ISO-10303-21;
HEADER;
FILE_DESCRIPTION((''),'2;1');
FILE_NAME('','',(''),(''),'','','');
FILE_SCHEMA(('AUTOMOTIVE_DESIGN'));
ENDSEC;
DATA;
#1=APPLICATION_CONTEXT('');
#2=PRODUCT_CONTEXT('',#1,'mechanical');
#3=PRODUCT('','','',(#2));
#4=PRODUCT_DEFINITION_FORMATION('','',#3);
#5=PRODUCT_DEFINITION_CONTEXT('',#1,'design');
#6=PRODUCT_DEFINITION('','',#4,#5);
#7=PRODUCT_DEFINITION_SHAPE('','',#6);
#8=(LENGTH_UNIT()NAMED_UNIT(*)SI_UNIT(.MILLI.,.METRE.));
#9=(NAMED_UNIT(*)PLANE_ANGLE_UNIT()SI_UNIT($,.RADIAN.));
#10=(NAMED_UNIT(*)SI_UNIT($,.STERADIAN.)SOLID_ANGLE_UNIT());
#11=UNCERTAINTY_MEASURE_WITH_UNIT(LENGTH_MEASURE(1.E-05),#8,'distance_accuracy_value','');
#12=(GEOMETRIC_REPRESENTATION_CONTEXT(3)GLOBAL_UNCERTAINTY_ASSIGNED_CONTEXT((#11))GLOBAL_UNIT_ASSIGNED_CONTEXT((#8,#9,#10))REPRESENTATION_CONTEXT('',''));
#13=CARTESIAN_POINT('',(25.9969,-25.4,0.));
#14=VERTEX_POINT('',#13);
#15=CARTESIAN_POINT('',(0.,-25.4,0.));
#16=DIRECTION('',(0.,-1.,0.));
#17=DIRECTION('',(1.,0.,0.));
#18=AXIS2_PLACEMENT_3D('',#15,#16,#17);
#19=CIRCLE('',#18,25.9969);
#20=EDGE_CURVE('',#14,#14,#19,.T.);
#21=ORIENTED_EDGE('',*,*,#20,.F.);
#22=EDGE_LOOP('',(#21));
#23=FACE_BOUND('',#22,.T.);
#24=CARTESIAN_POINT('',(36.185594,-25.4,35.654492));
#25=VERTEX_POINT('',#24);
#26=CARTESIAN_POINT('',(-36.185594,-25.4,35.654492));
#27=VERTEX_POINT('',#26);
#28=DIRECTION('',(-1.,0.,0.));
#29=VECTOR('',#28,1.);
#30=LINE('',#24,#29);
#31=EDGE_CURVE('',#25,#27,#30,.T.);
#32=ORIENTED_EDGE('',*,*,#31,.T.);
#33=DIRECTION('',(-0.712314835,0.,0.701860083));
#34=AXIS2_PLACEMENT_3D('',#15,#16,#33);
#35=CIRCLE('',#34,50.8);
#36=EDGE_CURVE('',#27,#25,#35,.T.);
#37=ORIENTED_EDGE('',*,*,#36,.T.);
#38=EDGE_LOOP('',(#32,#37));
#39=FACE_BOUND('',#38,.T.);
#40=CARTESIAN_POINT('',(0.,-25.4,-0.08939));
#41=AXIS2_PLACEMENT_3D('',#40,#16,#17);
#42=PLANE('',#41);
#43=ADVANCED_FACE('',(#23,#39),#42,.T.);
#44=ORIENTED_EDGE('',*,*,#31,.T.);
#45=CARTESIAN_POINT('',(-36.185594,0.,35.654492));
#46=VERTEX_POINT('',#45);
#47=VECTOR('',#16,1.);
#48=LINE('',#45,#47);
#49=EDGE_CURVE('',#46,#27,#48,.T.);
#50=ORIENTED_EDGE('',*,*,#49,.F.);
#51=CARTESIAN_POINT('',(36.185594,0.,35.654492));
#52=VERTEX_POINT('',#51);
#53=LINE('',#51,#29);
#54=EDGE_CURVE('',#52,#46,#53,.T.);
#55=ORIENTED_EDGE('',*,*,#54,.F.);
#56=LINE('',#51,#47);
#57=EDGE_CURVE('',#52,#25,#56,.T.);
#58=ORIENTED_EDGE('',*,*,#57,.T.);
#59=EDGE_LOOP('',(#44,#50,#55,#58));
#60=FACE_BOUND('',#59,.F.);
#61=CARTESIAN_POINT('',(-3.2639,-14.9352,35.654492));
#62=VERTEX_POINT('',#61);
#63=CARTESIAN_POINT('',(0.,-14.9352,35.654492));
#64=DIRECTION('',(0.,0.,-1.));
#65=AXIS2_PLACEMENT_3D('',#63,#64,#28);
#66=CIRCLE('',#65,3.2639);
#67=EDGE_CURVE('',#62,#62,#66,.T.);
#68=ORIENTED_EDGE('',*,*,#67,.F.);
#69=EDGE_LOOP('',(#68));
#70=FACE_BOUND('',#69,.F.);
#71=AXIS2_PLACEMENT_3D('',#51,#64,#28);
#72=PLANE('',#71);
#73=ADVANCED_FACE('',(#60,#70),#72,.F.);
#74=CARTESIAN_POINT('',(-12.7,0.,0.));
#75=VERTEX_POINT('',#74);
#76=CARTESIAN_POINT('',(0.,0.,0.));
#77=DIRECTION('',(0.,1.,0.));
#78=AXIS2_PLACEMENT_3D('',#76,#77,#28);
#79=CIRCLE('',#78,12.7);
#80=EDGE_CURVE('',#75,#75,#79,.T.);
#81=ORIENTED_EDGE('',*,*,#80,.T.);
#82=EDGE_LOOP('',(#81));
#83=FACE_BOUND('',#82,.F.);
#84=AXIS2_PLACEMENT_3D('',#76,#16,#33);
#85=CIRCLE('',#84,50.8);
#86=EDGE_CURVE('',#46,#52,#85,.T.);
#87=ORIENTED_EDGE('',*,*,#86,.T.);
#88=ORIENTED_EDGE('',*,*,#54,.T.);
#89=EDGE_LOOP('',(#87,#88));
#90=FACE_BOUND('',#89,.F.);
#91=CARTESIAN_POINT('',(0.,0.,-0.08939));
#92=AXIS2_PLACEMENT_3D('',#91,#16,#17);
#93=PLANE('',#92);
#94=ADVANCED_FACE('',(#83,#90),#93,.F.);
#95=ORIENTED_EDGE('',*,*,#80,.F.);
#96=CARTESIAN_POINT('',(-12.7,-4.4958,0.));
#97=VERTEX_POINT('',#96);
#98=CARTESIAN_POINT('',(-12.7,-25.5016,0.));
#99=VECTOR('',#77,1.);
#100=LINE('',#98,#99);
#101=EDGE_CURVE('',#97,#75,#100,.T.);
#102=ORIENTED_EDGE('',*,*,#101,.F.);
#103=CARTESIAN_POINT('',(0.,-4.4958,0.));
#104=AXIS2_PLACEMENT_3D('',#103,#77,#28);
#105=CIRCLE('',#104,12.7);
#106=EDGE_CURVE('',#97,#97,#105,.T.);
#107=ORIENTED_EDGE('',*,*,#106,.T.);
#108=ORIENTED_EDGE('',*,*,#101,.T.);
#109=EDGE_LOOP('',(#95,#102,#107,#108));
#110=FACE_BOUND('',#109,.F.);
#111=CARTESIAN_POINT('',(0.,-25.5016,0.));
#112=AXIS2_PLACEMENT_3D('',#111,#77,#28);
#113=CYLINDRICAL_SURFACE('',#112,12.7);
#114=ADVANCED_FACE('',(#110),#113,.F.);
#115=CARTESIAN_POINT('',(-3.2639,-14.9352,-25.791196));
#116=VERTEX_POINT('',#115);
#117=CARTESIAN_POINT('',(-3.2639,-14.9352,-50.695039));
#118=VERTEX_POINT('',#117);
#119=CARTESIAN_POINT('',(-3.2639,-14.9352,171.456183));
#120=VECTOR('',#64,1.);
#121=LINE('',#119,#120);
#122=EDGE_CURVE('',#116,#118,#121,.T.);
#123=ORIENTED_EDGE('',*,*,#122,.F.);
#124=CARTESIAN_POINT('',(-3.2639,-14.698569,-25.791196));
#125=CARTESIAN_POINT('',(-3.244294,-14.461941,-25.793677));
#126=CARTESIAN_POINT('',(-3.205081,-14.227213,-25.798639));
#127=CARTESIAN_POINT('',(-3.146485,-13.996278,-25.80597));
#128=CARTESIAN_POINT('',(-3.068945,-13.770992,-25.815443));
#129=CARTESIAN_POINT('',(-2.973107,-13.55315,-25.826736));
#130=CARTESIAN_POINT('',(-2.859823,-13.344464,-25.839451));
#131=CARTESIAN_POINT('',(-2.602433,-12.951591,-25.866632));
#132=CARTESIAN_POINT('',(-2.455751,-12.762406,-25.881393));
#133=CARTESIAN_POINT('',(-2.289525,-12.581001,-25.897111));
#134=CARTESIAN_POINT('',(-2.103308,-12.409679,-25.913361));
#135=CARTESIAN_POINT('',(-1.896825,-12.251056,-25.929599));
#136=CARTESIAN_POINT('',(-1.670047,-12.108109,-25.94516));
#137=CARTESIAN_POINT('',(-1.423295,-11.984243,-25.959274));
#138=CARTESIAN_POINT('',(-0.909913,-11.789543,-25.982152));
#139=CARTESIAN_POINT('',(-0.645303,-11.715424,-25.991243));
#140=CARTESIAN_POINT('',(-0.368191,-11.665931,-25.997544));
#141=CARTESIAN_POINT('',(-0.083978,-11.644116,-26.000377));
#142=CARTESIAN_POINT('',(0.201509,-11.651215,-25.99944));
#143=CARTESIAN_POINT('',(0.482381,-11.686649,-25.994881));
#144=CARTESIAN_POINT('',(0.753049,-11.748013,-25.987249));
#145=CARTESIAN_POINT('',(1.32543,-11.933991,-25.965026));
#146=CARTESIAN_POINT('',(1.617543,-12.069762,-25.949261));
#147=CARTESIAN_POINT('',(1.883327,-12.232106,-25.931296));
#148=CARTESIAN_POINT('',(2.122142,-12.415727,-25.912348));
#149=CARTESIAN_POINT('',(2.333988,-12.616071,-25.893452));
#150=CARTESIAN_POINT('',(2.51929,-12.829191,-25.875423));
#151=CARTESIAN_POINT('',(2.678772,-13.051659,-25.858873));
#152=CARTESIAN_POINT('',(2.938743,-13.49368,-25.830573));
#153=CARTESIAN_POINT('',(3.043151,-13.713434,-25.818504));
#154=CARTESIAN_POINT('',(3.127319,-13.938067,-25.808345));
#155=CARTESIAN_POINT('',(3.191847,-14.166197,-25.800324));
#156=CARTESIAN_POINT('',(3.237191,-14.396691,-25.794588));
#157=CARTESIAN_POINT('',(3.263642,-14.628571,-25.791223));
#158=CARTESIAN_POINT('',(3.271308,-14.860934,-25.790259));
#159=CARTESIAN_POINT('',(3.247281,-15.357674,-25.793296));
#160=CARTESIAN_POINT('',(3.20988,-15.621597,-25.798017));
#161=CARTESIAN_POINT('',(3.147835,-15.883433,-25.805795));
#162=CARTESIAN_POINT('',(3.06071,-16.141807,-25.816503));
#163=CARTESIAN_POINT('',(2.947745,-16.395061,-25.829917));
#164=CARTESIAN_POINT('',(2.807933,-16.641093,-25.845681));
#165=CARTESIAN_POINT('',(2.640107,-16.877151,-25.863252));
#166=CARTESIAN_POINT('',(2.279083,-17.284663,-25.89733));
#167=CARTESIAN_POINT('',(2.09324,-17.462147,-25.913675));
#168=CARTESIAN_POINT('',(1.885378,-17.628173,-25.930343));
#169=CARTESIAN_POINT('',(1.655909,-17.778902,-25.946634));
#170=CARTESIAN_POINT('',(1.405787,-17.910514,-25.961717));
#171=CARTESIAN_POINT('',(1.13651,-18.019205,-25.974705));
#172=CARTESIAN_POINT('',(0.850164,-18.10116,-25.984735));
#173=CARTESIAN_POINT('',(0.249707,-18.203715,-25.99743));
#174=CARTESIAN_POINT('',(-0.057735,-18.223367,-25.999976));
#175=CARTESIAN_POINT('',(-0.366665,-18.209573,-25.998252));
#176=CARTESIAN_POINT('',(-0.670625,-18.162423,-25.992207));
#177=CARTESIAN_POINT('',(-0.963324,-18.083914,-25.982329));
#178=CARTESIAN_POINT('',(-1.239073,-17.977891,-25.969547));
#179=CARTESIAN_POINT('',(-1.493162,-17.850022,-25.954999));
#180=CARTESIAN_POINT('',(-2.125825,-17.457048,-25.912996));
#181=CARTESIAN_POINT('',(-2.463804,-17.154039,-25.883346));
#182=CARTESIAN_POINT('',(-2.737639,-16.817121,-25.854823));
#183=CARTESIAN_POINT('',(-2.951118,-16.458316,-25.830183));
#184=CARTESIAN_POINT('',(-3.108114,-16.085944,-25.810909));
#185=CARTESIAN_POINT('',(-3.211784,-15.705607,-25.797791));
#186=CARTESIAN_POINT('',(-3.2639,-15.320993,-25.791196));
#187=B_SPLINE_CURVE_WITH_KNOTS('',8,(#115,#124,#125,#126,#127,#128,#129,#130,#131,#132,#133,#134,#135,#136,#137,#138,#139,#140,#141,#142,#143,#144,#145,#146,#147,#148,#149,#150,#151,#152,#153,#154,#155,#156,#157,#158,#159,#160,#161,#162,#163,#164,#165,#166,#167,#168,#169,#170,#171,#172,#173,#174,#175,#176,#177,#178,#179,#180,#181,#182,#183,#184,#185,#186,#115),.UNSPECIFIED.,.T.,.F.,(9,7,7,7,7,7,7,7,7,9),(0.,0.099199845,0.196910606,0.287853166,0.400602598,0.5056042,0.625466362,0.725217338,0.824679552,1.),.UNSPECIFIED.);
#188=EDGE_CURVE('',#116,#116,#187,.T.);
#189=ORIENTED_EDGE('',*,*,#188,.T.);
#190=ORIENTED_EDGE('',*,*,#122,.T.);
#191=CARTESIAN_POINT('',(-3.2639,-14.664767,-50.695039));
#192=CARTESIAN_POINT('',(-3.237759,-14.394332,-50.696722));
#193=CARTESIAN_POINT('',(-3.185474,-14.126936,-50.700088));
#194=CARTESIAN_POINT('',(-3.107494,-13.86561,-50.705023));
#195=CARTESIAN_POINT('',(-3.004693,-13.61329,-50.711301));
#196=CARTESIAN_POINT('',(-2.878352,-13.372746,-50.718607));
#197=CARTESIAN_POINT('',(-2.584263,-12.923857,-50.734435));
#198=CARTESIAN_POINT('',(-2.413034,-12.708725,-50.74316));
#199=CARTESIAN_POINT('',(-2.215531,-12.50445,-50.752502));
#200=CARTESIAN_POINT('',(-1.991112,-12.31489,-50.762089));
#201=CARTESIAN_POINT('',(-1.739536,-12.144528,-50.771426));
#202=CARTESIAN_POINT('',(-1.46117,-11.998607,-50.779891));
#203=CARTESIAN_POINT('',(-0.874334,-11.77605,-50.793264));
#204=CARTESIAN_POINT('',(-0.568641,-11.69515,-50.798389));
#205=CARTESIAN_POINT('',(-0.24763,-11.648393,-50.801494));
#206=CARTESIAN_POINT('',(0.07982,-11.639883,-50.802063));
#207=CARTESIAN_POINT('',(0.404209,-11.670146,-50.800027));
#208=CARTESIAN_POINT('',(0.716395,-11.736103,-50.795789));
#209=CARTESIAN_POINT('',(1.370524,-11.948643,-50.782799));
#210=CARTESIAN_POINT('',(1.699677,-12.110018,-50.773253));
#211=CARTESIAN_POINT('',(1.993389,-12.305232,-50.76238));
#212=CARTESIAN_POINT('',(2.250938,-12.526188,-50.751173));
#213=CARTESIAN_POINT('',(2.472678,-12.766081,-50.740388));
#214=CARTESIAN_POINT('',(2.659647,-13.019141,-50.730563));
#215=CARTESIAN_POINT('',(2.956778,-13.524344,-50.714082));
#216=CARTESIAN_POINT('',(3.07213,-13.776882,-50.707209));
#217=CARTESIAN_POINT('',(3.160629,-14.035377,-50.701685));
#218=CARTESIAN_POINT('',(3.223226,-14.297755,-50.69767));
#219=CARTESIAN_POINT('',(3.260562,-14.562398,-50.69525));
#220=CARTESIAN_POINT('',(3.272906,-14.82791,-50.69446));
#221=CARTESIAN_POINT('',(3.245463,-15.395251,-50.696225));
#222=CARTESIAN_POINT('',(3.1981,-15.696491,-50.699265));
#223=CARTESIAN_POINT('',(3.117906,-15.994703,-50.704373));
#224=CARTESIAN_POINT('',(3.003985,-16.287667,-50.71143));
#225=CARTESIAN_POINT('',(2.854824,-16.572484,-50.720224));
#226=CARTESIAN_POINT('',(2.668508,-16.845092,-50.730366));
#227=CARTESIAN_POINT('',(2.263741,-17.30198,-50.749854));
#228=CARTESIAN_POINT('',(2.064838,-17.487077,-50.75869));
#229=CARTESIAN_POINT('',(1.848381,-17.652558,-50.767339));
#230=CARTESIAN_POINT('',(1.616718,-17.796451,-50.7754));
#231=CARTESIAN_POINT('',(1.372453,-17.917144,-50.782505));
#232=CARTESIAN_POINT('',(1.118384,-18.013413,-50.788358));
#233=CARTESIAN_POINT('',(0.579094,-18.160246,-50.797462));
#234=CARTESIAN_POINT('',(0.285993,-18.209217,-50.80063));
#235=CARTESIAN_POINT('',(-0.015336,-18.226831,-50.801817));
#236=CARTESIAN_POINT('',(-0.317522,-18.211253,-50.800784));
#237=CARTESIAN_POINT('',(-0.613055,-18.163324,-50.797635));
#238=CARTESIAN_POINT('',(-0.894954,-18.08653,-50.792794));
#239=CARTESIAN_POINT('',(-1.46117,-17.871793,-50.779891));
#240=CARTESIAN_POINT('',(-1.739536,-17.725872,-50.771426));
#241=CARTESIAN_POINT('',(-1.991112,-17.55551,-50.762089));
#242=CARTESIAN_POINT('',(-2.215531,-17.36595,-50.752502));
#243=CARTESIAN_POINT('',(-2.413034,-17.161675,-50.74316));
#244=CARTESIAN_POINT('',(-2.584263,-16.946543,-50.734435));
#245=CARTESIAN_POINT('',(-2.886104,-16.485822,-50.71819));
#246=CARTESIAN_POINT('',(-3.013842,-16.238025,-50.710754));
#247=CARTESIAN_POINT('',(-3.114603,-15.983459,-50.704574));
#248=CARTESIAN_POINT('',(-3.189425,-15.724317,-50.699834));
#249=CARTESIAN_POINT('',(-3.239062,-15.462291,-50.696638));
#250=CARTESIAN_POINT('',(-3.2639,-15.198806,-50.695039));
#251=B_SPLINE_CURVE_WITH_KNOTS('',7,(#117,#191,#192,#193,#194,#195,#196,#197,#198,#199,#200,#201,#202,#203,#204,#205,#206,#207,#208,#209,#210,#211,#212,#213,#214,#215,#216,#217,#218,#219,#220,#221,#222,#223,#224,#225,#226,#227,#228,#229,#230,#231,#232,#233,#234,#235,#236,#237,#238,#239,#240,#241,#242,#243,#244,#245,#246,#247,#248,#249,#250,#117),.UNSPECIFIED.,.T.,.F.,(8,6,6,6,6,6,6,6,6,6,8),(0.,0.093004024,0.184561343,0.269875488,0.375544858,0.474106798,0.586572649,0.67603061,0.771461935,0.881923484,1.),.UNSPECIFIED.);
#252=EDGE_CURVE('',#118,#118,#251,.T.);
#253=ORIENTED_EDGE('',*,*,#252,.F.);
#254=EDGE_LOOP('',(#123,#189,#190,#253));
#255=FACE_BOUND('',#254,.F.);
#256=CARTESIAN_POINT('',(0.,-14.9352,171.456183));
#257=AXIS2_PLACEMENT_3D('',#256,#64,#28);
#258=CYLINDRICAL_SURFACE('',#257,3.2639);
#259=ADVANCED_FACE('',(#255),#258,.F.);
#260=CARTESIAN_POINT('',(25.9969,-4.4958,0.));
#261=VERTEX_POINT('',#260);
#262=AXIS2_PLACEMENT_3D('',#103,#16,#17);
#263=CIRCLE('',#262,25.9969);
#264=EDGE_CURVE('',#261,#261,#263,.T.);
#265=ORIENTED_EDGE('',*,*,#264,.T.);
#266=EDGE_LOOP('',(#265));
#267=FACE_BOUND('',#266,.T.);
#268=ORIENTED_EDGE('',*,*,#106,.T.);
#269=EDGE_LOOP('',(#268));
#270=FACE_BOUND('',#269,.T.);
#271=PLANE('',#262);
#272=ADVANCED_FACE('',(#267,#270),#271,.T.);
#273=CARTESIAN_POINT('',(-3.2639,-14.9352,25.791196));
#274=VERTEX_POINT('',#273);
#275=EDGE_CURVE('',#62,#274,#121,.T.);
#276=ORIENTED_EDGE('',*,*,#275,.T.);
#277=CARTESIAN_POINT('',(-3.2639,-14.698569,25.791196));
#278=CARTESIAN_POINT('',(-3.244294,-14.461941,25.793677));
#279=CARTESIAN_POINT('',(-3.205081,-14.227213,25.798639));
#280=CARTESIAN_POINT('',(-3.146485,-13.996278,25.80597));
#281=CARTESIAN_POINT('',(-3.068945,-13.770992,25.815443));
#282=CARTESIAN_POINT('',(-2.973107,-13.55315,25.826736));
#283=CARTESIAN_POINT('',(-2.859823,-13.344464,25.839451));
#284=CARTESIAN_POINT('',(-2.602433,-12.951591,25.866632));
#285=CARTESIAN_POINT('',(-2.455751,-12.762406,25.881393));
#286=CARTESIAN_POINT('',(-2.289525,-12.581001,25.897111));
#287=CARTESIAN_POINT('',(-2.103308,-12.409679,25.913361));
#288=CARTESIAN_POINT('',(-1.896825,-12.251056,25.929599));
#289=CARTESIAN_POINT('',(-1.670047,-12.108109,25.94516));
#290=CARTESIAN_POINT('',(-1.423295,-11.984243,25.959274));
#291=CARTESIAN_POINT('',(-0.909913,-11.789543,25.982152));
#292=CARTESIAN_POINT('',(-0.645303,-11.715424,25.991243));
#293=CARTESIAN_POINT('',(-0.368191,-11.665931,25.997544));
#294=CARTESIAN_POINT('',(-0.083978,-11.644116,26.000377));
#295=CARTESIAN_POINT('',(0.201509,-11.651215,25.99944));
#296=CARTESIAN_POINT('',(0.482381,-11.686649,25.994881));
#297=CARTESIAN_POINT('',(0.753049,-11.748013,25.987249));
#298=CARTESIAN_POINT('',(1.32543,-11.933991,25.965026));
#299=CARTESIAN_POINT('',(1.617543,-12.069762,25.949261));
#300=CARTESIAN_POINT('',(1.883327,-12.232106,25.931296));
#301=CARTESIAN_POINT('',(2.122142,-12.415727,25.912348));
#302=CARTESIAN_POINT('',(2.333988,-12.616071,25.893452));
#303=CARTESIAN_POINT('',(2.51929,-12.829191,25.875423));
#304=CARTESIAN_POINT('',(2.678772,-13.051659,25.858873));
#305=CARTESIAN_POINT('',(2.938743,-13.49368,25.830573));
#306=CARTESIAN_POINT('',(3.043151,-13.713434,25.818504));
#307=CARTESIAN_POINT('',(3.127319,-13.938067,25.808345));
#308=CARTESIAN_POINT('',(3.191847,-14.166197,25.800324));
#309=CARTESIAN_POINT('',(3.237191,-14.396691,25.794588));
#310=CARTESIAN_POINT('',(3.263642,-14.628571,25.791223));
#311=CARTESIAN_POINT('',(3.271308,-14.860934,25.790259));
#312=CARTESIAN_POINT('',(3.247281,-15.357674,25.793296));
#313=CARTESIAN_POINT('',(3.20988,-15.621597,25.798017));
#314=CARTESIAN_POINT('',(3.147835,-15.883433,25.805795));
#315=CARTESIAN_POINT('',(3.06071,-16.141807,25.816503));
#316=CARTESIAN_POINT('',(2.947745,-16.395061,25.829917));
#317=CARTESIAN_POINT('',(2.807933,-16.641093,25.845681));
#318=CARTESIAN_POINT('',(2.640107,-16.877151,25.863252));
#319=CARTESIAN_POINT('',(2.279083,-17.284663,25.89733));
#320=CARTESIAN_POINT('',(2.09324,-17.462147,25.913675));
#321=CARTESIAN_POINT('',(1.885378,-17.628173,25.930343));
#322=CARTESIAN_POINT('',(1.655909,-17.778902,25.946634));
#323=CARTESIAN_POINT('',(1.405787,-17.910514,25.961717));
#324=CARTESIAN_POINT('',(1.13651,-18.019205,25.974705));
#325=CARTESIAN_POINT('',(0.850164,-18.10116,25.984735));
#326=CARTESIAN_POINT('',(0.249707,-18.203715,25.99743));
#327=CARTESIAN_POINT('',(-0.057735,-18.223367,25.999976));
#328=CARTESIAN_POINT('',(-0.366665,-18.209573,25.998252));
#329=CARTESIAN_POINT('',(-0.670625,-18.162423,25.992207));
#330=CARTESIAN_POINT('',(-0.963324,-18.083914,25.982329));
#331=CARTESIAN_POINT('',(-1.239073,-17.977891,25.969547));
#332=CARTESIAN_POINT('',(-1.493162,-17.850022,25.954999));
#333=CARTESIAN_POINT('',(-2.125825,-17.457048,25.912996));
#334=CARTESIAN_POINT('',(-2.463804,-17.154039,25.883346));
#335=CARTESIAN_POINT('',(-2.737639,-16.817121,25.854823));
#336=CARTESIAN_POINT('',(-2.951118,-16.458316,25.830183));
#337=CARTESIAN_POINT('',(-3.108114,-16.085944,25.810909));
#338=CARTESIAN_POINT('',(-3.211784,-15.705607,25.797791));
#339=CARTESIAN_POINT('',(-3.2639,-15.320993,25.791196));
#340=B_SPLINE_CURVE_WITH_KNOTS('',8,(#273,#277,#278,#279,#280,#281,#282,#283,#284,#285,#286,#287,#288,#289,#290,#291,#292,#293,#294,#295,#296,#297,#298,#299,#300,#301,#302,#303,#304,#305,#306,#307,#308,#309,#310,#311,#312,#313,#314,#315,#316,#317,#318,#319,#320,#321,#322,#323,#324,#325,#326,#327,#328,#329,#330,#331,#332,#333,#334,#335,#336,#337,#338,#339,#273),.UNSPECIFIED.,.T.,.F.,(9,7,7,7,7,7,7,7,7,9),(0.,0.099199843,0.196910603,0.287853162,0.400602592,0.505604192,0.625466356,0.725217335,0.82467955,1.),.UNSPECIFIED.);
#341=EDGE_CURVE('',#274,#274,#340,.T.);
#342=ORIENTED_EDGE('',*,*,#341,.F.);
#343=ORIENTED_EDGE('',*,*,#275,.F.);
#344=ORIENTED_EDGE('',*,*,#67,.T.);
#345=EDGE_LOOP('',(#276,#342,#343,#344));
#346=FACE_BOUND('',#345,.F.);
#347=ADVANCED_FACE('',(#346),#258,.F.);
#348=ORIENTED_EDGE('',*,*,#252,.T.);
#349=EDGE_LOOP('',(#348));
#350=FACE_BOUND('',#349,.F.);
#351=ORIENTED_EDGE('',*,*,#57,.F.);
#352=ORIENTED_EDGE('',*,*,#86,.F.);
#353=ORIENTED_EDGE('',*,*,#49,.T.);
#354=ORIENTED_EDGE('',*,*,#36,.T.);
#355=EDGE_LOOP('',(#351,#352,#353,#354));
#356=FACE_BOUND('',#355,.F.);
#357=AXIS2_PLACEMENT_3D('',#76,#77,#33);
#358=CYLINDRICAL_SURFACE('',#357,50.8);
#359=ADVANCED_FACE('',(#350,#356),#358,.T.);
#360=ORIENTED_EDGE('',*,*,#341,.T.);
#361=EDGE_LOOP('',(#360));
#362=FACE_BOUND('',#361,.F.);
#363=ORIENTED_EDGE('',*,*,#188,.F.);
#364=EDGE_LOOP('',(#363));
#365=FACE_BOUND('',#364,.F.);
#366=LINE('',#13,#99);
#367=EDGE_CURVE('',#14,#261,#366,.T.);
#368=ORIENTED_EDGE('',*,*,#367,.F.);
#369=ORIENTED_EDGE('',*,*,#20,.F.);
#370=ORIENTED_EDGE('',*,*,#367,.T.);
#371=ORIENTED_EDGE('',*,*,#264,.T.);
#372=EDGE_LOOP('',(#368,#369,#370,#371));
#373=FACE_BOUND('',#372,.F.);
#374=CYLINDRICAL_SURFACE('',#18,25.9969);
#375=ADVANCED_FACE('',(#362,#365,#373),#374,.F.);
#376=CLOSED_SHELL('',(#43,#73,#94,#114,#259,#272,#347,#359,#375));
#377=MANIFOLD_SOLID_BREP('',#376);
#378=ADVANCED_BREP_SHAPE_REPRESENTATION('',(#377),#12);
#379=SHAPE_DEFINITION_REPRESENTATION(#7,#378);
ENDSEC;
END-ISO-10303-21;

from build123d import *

# Parameters (mm, degrees)
F1_DEPTH = 25.4
F3_R     = 25.9969
F4_DEPTH = 20.9042
F2_R     = 25.9969
F5_DEPTH = 20.9042
F7_D     = 25.4
F7_DEPTH = 21.0058
F7_TIP   = 7.6309298617
F10_D    = 6.5278


with BuildPart() as f1:
    # F0 (on Front) → F1 (new body)
    with BuildSketch(Plane.XZ):
        with BuildLine():
            Line((36.1855936237, 35.6544922009), (-36.1855936237, 35.6544922009))
            ThreePointArc((-36.1855936237, 35.6544922009), (0, -50.8), (36.1855936237, 35.6544922009))
        make_face()
    extrude(amount=F1_DEPTH)

    # F3 (on face) → F4 (join)
    with BuildSketch(Plane.XZ.offset(25.4)):
        Circle(F3_R)
    extrude(amount=-F4_DEPTH)

    # F2 (on face) → F5 (cut)
    with BuildSketch(Plane.XZ.offset(25.4)):
        Circle(F2_R)
    extrude(amount=-F5_DEPTH, mode=Mode.SUBTRACT)

    # F7
    with Locations(Plane.XZ.offset(4.4958)):
        with Locations((0, 0)):
            Hole(F7_D / 2, depth=F7_DEPTH)
            with Locations((0, 0, -(F7_DEPTH + F7_TIP / 2))):  # 118° drill point
                Cone(0, F7_D / 2, F7_TIP, mode=Mode.SUBTRACT)

    # F10 (through all)
    with Locations(Plane.XY.offset(35.6544922009)):
        with Locations((0, -14.9352)):
            Hole(F10_D / 2)


solid = f1.part
